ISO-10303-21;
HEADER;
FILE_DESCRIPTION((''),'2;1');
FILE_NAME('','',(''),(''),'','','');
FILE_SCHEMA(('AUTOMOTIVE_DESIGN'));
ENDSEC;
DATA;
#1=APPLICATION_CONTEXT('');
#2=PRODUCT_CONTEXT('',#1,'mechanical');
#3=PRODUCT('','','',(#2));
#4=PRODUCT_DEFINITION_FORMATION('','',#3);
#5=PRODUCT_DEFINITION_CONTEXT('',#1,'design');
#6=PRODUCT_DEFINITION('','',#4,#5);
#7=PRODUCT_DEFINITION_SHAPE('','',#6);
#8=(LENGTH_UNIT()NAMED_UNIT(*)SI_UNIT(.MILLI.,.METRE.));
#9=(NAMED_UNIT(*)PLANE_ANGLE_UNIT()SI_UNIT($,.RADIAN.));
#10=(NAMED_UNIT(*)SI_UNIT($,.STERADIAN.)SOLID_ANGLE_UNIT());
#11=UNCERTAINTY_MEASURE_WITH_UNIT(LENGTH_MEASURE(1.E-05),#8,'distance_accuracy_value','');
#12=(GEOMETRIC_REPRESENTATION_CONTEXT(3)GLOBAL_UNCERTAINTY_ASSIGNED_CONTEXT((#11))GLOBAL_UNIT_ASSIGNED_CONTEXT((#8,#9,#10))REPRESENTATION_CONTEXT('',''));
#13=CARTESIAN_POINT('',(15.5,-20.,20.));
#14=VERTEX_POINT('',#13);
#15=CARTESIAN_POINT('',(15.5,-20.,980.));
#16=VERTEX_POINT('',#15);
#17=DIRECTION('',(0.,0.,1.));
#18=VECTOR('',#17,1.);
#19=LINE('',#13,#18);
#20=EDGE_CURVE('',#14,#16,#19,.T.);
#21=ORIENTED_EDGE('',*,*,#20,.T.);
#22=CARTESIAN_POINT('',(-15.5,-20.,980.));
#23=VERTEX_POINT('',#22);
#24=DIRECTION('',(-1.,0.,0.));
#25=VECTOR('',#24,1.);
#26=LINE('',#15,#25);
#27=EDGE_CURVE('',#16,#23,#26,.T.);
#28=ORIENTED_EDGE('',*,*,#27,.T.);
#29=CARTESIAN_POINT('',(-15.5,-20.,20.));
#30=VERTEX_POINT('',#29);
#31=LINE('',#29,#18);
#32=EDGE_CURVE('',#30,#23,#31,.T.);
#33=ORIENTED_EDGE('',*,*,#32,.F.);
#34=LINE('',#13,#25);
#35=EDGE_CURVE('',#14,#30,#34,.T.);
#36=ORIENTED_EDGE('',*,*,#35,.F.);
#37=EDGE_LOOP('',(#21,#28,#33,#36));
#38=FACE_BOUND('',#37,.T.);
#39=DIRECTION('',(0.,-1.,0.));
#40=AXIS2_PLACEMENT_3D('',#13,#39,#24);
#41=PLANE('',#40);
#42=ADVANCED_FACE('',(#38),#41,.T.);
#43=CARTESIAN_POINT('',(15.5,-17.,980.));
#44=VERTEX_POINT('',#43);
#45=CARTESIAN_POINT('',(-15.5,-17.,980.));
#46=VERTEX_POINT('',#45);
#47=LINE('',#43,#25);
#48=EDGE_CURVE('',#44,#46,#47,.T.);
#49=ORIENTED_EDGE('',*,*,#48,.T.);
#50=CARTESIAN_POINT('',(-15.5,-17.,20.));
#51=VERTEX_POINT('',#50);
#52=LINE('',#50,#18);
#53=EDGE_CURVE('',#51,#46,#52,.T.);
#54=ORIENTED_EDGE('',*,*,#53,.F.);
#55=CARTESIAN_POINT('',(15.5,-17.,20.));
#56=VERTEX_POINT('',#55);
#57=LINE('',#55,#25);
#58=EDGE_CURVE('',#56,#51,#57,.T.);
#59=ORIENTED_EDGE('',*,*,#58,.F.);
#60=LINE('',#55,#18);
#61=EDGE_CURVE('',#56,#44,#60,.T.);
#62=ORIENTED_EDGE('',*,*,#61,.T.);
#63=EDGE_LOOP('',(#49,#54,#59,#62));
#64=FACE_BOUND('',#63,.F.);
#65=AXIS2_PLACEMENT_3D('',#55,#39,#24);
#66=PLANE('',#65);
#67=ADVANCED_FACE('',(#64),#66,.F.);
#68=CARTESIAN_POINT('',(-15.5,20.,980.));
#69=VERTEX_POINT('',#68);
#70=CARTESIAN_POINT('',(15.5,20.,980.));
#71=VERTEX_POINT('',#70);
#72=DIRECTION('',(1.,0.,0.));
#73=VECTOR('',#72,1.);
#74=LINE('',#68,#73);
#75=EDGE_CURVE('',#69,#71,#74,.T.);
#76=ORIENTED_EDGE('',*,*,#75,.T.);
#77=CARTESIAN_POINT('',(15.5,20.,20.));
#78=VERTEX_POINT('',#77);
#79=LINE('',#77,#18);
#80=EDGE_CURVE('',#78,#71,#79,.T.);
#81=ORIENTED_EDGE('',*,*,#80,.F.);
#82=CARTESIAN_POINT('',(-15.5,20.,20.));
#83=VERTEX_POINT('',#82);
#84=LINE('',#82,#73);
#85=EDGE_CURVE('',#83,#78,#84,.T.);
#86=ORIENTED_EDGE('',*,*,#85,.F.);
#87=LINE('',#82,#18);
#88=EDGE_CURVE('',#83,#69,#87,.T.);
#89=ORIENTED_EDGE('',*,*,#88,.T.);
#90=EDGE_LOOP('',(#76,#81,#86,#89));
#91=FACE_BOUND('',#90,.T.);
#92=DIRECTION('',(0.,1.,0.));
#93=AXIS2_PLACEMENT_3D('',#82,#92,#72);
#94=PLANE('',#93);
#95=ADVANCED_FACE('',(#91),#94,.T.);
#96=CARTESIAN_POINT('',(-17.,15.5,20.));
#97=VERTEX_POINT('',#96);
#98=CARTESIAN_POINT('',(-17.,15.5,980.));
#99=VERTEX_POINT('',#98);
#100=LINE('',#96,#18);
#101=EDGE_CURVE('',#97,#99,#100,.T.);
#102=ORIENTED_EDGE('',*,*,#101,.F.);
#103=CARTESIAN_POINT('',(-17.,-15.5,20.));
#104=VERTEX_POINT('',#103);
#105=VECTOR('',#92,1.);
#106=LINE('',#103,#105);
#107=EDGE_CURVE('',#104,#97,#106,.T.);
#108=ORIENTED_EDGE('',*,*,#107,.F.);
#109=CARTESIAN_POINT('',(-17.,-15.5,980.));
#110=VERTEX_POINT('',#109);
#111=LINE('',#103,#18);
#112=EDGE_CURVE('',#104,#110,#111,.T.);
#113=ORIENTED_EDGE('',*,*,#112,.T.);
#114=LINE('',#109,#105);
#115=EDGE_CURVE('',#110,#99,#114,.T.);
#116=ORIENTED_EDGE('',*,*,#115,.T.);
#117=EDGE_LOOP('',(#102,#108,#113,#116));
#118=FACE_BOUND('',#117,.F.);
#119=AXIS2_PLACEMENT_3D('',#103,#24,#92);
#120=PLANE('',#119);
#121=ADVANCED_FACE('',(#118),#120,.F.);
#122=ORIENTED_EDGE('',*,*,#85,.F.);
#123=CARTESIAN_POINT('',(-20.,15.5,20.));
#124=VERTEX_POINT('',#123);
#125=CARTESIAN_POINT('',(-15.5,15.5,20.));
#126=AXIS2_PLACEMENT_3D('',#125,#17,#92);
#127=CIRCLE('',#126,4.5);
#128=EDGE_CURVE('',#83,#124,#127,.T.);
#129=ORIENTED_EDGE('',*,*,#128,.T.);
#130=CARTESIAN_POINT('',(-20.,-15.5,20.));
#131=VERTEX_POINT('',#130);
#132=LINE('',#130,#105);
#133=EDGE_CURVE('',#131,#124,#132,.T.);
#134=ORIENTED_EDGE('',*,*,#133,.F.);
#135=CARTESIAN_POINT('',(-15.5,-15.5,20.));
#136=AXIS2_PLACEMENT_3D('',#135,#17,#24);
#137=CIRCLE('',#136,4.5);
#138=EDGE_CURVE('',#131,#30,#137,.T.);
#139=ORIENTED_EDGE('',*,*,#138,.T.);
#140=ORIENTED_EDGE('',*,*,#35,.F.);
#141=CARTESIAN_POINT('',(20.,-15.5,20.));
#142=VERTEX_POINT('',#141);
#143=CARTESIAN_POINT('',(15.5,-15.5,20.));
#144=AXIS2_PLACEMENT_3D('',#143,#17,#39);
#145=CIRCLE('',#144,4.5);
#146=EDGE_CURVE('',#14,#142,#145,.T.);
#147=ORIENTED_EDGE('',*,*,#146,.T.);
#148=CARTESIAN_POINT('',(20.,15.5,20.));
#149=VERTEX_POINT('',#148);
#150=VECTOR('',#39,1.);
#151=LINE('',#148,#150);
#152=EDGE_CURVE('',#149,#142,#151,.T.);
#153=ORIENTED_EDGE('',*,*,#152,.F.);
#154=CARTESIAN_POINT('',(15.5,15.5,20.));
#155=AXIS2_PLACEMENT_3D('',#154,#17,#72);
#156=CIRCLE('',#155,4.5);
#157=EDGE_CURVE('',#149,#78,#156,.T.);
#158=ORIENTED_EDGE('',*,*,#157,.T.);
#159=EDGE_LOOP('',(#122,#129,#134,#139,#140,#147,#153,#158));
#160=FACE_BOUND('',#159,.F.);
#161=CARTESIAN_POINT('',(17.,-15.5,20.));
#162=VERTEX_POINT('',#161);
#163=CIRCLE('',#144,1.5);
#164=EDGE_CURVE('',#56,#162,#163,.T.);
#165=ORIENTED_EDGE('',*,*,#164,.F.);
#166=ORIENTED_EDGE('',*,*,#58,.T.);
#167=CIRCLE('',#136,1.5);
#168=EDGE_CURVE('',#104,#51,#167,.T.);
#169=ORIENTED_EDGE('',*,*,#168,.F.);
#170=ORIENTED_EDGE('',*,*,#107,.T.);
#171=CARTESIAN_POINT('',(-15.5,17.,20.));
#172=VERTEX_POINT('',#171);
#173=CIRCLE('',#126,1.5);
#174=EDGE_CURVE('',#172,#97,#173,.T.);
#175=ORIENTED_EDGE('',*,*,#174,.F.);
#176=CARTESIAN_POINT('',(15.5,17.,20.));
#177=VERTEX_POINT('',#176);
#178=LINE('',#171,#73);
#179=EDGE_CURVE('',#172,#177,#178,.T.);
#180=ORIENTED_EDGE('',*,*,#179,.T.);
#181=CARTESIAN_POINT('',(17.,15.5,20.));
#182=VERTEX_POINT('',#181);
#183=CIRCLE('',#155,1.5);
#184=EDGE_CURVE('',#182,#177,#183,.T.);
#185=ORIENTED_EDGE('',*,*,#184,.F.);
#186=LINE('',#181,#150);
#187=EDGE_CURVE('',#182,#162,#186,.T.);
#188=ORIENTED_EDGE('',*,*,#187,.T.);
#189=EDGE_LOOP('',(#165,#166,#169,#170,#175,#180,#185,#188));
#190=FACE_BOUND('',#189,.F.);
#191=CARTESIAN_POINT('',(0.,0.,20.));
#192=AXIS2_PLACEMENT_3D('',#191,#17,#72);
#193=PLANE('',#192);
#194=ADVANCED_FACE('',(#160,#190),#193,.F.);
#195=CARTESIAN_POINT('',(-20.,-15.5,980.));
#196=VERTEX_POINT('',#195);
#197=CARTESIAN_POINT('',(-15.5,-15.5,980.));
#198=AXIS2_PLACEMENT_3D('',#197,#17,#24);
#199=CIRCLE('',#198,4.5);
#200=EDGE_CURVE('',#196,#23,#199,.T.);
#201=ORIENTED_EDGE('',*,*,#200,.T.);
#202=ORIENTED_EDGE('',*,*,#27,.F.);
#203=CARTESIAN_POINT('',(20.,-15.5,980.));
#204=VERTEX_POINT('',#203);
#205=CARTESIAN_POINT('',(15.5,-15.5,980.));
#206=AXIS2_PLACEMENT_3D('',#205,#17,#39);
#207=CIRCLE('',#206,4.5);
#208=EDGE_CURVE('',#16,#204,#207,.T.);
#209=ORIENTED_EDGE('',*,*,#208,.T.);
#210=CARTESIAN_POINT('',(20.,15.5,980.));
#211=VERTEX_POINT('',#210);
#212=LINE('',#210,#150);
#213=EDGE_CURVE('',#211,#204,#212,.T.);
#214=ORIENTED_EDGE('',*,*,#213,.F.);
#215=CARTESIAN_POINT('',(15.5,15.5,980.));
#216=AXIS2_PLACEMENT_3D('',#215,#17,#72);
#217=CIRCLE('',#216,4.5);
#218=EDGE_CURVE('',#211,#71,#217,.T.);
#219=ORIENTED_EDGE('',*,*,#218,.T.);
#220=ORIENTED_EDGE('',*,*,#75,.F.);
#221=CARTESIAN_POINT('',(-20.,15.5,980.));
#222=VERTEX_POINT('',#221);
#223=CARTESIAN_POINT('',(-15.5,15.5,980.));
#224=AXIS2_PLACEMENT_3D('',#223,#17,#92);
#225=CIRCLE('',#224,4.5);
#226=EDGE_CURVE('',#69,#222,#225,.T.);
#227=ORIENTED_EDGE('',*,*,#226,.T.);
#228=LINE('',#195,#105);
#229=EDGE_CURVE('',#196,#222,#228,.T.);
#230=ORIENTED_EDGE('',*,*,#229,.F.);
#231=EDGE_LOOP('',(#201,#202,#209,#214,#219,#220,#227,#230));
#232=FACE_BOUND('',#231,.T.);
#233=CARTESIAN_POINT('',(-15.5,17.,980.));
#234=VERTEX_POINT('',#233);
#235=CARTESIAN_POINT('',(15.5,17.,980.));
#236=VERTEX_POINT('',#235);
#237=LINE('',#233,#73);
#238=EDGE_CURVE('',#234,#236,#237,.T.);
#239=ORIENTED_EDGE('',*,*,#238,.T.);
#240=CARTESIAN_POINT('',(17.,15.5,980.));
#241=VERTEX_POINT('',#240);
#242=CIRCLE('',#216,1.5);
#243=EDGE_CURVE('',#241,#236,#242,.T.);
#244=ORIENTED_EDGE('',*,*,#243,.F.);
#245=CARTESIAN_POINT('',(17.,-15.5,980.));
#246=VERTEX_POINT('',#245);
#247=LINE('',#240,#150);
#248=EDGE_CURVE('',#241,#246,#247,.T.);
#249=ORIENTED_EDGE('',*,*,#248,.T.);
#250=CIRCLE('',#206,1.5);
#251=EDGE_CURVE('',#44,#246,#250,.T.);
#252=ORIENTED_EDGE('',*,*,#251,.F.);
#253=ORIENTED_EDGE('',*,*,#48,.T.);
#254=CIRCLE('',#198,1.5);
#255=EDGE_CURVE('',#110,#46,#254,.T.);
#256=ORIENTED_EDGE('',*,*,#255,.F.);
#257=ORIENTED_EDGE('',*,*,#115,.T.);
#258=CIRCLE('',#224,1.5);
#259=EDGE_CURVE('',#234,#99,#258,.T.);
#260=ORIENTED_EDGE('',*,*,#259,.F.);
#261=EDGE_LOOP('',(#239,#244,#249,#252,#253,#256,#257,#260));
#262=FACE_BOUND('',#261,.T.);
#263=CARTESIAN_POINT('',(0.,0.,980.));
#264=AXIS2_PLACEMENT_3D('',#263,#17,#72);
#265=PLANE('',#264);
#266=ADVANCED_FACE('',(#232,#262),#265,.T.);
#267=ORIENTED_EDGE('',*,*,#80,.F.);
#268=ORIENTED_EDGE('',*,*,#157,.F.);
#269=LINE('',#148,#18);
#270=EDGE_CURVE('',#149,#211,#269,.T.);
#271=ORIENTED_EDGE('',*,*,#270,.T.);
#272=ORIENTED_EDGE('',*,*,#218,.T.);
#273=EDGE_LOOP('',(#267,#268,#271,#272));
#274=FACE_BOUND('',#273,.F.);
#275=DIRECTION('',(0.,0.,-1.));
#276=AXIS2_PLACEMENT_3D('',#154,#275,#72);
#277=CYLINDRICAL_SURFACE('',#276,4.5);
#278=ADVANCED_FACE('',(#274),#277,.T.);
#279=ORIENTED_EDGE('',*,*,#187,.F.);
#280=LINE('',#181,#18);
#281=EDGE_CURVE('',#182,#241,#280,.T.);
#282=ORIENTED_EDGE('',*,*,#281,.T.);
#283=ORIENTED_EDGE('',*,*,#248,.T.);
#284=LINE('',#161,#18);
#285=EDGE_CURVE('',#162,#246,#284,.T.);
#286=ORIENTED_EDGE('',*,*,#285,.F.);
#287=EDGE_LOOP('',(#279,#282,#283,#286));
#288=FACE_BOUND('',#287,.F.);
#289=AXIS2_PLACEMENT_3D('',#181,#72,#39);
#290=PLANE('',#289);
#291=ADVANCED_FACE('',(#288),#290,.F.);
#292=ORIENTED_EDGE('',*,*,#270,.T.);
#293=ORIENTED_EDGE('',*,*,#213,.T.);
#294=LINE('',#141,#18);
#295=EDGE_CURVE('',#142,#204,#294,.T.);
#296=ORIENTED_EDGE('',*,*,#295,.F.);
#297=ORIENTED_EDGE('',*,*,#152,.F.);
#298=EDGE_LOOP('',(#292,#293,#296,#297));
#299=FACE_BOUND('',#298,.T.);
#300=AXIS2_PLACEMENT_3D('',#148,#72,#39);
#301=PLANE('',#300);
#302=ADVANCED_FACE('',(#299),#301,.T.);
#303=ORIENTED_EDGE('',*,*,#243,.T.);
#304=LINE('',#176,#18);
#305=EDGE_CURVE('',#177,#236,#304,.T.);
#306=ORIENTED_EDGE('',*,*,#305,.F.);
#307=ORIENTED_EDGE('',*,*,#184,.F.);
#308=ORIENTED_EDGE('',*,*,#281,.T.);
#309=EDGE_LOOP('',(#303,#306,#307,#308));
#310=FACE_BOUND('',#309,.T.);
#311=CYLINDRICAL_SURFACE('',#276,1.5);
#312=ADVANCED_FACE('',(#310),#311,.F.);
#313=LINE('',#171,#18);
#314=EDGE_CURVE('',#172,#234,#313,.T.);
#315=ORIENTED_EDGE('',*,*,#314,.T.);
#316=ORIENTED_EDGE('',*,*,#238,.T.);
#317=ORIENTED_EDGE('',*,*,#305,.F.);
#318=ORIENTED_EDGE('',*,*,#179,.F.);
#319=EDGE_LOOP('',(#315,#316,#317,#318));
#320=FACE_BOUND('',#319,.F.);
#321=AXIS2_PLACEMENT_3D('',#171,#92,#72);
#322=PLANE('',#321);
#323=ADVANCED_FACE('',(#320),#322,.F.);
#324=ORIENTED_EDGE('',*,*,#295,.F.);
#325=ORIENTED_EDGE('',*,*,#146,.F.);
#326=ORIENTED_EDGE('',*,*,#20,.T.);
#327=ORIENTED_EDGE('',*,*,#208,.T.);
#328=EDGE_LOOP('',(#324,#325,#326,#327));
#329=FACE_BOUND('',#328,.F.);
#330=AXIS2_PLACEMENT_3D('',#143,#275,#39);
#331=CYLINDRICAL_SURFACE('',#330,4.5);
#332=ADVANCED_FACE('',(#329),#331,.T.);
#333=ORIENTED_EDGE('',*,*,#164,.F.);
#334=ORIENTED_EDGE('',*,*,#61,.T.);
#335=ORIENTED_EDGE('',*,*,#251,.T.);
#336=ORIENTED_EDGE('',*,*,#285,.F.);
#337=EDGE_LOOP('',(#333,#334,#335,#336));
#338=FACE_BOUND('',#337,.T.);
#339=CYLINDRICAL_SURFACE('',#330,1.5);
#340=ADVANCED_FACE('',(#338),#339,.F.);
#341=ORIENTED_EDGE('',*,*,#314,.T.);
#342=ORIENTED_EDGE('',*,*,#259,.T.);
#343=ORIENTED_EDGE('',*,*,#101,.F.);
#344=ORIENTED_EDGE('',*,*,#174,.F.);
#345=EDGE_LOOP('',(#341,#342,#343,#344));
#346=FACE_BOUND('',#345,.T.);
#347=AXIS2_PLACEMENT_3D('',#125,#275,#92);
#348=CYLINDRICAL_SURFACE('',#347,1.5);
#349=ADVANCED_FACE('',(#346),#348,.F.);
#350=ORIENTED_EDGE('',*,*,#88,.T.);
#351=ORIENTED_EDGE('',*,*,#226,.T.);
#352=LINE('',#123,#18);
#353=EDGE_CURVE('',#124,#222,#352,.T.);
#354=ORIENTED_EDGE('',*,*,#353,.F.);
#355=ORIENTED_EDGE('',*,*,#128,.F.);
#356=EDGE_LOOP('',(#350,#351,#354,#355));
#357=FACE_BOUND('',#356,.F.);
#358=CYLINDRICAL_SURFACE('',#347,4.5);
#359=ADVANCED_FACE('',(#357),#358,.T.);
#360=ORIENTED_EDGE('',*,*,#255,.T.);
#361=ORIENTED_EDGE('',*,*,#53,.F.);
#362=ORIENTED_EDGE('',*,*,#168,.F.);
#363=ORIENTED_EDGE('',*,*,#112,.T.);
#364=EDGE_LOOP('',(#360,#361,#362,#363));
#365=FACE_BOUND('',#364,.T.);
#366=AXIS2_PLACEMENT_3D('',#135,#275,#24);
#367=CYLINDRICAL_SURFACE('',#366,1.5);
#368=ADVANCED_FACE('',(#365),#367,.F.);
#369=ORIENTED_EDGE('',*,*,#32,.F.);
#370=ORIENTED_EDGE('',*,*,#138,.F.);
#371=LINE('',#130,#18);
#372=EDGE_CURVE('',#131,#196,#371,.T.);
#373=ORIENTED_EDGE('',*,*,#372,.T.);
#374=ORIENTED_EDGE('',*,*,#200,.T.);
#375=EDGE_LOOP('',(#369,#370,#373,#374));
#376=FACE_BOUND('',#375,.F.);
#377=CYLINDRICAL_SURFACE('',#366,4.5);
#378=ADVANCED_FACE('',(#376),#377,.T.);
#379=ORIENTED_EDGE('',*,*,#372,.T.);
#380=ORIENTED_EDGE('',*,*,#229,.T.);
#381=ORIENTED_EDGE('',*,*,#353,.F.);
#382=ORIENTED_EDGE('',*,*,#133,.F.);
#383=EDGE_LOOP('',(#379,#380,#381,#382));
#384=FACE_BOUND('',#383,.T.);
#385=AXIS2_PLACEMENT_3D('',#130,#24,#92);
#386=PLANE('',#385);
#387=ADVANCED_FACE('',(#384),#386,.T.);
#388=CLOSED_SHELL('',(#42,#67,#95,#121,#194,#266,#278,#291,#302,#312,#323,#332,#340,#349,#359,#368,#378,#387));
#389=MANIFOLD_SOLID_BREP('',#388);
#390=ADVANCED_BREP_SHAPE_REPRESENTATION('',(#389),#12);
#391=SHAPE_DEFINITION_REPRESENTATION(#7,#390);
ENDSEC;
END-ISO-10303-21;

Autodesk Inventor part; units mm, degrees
ref_plane "Start Plane" through (0, 0, 20) normal (0, 0, 1) x (1, 0, 0)
ref_plane "End Plane" through (0, 0, 980) normal (0, 0, 1) x (1, 0, 0)
sketch "Sketch" plane through (0, 0, 0) normal (0, 0, 1) x (1, 0, 0)
  line L0 (-20, -15.5) -> (-20, 15.5)
  line L1 (-15.5, 20) -> (15.5, 20)
  line L2 (20, 15.5) -> (20, -15.5)
  line L3 (15.5, -20) -> (-15.5, -20)
  arc A0 (-20, -15.5) -> (-15.5, -20) centre (-15.5, -15.5) ccw
  arc A1 (-15.5, 20) -> (-20, 15.5) centre (-15.5, 15.5) ccw
  arc A2 (20, 15.5) -> (15.5, 20) centre (15.5, 15.5) ccw
  arc A3 (15.5, -20) -> (20, -15.5) centre (15.5, -15.5) ccw
  arc A4 (-15.5, 17) -> (-17, 15.5) centre (-15.5, 15.5) ccw
  line L4 (-15.5, 17) -> (15.5, 17)
  arc A5 (17, 15.5) -> (15.5, 17) centre (15.5, 15.5) ccw
  line L5 (17, 15.5) -> (17, -15.5)
  arc A6 (15.5, -17) -> (17, -15.5) centre (15.5, -15.5) ccw
  line L6 (15.5, -17) -> (-15.5, -17)
  arc A7 (-17, -15.5) -> (-15.5, -17) centre (-15.5, -15.5) ccw
  line L7 (-17, -15.5) -> (-17, 15.5)
  line L8 (0, 29.3048) -> (0, -29.3048) construction
  line L9 (-29.3048, 0) -> (29.3048, 0) construction
  dimension "d7" = 4.5
  dimension "d10" = 40
  dimension "d11" = 40
  dimension "d12" = 3
  dimension "d15" = 20
  dimension "d16" = 20
extrude "Body" add sketch "Sketch" along normal up to surface (960 mm away) from surface at 20
sketch "Sketch3" plane through (0, 0, 0) normal (0, 0, 1) x (1, 0, 0)
  line L0 (0, 0) -> (10, 0)
ref_plane "Work Plane3" through (0, 0, 0) normal (0, -1, 0) x (1, 0, 0)
ref_plane "Work Plane4" through (-15.5, 1760, 20) normal (0, 0, -1) x (-1, 0, 0)
split "Split1" plane through (-15.5, 1760, 20) removes the side toward (0, 0, -1)
ref_plane "Work Plane5" through (15.5, 1760, 980) normal (0, 0, 1) x (1, 0, 0)
split "Split2" plane through (15.5, 1760, 980) removes the side toward (0, 0, 1)
sketch "Sketch4" plane through (0, 0, 0) normal (0, -1, 0) x (1, 0, 0)
  line L0 (-2, 20) -> (12, 20) projected
  line L1 (-2, 980) -> (12, 980) projected
  dimension "d18" = 960
equation "\"d7\" = G_IR"
equation "\"d10\" = G_H"
equation "\"d11\" = G_W"
equation "\"d12\" = G_T"
equation "\"d15\" = 0.5 * d10"
equation "\"d16\" = 0.5 * d11"
equation "\"d3\" = G_L"
equation "\"G_W\" = 40"
equation "\"G_H\" = 40"
equation "\"G_T\" = 3"
equation "\"G_IR\" = 4.5"
equation "\"G_L\" = d18"
properties part number "ISO 12633-2 - 40x40x3 - 960" material "Steel, Mild"
